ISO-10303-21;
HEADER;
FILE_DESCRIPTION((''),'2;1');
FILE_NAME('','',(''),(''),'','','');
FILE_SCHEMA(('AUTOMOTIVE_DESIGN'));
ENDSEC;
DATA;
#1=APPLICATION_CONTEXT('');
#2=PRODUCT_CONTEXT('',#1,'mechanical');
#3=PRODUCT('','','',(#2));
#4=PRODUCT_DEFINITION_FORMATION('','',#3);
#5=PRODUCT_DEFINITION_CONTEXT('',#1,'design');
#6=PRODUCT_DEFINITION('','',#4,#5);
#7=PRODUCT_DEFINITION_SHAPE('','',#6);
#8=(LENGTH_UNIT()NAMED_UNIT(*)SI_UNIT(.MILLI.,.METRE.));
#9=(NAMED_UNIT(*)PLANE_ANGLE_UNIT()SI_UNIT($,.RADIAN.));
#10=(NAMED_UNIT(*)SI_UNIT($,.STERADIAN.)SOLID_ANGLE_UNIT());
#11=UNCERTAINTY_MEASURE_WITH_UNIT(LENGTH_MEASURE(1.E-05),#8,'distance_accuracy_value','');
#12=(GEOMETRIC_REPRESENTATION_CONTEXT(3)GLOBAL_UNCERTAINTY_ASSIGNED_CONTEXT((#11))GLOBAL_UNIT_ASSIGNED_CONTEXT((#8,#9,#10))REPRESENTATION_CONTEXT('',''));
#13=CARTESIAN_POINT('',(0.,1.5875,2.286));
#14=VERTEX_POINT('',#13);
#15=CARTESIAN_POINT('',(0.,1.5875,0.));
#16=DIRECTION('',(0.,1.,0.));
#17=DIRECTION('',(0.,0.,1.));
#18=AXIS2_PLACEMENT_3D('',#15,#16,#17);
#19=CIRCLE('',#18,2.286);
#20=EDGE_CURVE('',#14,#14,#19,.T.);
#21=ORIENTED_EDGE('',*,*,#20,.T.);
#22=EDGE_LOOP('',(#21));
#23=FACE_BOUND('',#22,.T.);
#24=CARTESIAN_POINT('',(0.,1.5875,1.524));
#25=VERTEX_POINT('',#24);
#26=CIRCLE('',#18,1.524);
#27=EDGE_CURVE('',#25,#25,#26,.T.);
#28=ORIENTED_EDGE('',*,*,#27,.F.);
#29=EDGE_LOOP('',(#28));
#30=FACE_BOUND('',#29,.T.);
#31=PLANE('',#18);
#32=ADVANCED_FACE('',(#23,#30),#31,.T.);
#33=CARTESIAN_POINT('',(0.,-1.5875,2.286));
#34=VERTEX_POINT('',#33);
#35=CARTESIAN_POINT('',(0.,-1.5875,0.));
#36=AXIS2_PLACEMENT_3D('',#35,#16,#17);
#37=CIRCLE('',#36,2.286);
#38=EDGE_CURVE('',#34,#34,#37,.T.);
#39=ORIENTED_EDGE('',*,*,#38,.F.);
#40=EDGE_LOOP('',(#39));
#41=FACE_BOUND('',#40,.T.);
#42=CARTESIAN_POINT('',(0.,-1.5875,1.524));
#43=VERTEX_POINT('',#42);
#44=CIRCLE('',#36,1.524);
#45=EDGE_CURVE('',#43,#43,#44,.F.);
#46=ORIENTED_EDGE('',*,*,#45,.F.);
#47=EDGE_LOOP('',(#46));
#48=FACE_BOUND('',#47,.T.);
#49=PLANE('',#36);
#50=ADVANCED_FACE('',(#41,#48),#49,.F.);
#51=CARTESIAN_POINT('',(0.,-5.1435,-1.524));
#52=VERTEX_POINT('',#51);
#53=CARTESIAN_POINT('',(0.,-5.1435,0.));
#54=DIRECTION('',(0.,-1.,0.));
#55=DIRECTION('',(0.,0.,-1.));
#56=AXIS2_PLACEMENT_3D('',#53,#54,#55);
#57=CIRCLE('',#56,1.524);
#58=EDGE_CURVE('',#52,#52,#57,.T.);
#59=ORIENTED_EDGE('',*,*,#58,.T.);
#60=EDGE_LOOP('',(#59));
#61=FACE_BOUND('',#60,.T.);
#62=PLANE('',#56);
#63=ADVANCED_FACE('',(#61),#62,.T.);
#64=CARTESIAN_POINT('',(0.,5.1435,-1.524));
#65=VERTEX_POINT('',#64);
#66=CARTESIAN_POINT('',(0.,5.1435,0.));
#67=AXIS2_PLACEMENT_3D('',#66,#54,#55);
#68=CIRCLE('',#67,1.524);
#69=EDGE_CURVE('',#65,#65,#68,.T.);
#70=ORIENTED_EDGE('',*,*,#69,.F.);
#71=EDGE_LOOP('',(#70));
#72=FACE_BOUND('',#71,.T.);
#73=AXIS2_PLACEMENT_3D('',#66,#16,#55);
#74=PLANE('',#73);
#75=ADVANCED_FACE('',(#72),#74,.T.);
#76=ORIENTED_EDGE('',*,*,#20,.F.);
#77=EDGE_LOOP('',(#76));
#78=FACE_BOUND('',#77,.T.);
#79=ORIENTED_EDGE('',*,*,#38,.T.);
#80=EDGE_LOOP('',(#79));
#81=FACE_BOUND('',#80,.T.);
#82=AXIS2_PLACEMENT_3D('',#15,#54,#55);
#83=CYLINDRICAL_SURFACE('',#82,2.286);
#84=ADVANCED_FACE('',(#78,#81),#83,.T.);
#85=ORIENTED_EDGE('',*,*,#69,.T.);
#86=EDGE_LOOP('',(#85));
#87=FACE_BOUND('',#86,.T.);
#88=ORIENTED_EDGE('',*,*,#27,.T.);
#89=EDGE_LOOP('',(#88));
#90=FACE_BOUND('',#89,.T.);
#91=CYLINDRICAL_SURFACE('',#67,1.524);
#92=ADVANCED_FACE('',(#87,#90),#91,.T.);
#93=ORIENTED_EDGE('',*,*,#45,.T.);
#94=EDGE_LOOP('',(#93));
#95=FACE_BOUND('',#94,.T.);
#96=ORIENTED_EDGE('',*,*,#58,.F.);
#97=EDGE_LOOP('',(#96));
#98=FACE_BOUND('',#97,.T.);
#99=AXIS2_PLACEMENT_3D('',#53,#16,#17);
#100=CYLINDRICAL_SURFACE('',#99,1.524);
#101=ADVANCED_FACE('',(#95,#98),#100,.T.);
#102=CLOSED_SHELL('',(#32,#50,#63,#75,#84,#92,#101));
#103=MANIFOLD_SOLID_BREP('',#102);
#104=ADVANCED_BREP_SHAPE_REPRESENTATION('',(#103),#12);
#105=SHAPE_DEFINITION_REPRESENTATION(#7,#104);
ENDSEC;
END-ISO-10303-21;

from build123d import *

# Parameters (mm, degrees)
SKETCH1_R           = 2.286
BOSS_EXTRUDE1_DEPTH = 1.5875
SKETCH2_R           = 1.524
BOSS_EXTRUDE2_DEPTH = 3.556


with BuildPart() as part:
    # Sketch1 → Boss-Extrude1 (new body, symmetric)
    with BuildSketch(Plane(origin=(0, 0, 0), x_dir=(1, 0, 0), z_dir=(0, 1, 0))):
        Circle(SKETCH1_R)
    extrude(amount=BOSS_EXTRUDE1_DEPTH, both=True)

    # Sketch2 → Boss-Extrude2 (add)
    with BuildSketch(Plane(origin=(0, -1.5875, 0), x_dir=(-1, 0, 0), z_dir=(0, -1, 0))):
        Circle(SKETCH2_R)
    boss_extrude2 = extrude(amount=BOSS_EXTRUDE2_DEPTH)

    # Mirror1: Boss-Extrude2 across plane
    add(boss_extrude2.mirror(Plane.ZX))


solid = part.part
